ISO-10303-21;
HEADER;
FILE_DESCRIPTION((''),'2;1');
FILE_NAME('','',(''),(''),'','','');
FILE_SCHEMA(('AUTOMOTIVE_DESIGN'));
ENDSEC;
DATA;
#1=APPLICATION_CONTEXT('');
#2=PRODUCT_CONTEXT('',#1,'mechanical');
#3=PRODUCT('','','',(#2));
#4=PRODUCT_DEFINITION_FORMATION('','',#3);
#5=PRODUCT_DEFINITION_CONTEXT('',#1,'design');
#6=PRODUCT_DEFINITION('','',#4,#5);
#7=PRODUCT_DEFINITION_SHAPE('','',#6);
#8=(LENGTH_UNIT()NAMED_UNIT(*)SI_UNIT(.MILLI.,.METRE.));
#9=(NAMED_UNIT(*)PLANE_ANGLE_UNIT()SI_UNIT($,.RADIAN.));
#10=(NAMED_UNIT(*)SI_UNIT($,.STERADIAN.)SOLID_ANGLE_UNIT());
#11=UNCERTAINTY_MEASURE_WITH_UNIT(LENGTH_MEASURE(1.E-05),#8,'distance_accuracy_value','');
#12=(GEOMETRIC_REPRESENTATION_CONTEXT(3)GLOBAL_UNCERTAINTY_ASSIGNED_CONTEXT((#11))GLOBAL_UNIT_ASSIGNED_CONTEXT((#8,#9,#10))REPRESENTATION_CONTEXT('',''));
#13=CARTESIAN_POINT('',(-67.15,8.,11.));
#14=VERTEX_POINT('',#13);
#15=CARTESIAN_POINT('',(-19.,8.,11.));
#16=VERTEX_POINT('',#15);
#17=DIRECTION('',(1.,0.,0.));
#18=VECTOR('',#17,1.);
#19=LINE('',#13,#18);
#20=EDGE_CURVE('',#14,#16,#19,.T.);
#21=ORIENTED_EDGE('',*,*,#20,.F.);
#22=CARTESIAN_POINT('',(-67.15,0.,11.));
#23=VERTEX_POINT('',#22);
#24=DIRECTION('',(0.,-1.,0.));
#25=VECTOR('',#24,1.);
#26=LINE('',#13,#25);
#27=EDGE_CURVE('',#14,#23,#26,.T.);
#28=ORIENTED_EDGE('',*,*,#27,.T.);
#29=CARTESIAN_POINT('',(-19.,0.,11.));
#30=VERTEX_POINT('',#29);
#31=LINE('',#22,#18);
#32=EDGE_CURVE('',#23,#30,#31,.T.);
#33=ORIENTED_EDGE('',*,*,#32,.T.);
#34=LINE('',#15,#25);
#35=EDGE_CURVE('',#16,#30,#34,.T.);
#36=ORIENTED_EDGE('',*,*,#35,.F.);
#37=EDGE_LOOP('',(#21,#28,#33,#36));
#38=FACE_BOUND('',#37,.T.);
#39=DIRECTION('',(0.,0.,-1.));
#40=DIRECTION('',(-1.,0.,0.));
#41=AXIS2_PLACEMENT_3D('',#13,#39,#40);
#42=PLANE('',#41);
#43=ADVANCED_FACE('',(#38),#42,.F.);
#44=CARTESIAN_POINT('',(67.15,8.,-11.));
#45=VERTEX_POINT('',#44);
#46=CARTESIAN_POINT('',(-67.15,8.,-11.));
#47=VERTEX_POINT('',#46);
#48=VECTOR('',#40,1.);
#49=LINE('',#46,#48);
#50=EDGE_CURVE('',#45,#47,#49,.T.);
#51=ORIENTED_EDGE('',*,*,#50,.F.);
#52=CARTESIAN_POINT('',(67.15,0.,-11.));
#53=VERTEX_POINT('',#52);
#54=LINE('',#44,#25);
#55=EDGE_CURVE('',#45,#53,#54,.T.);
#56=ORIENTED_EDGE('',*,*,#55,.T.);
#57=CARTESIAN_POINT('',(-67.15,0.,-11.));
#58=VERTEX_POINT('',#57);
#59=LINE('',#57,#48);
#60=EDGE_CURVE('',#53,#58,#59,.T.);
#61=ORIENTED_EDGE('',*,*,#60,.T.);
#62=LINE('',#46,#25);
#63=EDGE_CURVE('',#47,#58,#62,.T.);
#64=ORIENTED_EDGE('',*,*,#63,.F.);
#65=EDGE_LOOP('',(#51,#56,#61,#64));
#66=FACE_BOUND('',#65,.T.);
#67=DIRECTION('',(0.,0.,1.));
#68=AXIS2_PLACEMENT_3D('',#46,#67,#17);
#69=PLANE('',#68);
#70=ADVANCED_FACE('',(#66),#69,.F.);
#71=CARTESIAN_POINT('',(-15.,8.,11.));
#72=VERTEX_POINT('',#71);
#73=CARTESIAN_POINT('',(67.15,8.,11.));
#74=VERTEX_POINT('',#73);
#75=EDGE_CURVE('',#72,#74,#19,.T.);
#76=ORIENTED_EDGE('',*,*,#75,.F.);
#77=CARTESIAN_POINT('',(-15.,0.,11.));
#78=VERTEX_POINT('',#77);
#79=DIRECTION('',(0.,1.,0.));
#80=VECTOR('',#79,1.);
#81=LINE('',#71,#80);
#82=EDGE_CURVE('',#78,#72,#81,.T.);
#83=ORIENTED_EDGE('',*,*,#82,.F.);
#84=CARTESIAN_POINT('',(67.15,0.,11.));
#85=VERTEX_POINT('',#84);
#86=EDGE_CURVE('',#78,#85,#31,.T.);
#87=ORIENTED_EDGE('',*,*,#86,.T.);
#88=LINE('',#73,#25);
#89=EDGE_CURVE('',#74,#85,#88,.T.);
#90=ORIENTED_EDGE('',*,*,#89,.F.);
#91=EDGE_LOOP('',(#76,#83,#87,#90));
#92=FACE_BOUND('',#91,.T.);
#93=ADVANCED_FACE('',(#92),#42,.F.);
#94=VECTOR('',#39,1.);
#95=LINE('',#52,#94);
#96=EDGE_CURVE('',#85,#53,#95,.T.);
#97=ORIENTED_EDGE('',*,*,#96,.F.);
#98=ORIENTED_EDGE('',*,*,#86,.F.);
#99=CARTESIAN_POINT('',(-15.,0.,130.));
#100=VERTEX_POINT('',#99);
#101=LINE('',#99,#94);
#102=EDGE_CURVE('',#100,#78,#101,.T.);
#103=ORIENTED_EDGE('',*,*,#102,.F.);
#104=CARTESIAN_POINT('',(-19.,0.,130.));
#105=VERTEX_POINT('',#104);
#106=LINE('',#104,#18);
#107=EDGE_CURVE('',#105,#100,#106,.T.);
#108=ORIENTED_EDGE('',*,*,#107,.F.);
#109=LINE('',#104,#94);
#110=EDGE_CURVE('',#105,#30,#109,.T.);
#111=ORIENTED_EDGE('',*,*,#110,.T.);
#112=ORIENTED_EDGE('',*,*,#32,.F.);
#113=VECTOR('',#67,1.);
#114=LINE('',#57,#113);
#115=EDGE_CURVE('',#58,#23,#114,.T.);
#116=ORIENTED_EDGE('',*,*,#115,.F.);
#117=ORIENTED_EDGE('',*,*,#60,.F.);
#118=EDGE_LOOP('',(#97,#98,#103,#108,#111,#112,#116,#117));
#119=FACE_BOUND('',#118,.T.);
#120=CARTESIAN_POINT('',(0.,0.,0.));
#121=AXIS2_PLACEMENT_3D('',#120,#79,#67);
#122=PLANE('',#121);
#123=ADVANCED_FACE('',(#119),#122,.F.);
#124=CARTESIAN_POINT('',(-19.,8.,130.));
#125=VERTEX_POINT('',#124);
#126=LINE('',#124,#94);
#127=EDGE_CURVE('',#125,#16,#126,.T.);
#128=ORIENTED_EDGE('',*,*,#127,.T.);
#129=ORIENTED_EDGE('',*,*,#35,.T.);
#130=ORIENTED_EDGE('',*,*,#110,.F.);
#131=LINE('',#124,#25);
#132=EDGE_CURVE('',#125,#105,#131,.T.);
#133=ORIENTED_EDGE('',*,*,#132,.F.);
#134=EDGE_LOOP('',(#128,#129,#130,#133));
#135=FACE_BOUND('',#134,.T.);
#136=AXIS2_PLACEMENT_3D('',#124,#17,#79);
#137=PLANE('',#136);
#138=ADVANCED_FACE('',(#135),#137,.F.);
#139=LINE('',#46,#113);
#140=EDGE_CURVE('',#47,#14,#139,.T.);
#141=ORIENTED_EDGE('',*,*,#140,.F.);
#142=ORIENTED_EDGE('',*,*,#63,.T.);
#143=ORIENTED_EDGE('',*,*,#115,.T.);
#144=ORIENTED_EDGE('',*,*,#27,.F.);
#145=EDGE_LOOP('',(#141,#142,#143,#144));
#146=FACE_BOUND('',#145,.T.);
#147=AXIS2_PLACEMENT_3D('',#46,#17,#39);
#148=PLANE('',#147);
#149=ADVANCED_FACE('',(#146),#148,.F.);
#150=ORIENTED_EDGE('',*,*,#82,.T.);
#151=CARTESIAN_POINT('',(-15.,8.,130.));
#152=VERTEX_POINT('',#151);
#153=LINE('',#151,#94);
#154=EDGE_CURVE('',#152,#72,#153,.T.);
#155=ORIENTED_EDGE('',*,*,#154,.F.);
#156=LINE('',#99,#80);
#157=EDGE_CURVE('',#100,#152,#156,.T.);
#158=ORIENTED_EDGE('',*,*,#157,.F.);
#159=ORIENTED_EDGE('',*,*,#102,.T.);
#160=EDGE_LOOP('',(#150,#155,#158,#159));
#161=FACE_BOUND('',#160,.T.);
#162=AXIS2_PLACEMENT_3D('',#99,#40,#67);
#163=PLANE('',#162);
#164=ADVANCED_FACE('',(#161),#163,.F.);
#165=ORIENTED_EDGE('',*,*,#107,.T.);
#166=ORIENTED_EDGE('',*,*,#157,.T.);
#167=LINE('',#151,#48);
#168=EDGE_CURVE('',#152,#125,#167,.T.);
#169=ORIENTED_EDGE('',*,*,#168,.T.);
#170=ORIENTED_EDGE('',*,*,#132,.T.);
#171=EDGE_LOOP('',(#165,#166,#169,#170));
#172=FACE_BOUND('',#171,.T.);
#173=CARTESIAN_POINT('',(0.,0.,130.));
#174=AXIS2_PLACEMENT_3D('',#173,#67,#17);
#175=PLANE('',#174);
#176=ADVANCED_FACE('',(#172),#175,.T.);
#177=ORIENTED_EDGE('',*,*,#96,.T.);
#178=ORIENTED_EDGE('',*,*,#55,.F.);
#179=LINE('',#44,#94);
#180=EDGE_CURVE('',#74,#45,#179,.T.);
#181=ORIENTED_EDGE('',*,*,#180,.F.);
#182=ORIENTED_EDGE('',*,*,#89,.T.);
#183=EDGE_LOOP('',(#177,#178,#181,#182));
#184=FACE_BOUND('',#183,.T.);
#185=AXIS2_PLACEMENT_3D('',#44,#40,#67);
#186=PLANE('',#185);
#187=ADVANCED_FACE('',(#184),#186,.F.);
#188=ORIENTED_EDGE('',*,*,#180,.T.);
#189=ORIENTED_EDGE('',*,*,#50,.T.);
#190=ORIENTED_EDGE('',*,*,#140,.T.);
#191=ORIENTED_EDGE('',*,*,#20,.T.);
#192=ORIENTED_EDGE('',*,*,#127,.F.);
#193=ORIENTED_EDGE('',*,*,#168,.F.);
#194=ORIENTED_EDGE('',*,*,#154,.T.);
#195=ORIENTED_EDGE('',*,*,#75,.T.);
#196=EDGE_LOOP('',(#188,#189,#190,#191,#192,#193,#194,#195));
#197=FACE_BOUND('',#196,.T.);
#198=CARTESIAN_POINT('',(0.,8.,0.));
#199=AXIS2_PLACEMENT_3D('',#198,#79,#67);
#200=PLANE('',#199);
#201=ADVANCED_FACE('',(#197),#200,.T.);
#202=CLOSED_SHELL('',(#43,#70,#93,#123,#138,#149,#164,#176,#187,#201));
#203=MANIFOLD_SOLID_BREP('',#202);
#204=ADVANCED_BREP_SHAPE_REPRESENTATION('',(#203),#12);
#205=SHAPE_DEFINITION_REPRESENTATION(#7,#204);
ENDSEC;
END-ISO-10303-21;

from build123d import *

# Parameters (mm, degrees)
SKETCH_1_W      = 134.3
SKETCH_1_H      = 22
EXTRUDE_1_DEPTH = 8
SKETCH_2_W      = 4
SKETCH_2_H      = 8
EXTRUDE_2_DEPTH = 130


with BuildPart() as part:
    # 草图1 → 凸台-拉伸1 (new body)
    with BuildSketch(Plane(origin=(0, 0, 0), x_dir=(1, 0, 0), z_dir=(0, 1, 0))):
        Rectangle(SKETCH_1_W, SKETCH_1_H)
    extrude(amount=EXTRUDE_1_DEPTH)

    # 草图2 → 凸台-拉伸2 (add)
    with BuildSketch(Plane.XY):
        with Locations((-17, 4)):
            Rectangle(SKETCH_2_W, SKETCH_2_H)
    extrude(amount=EXTRUDE_2_DEPTH)


solid = part.part
